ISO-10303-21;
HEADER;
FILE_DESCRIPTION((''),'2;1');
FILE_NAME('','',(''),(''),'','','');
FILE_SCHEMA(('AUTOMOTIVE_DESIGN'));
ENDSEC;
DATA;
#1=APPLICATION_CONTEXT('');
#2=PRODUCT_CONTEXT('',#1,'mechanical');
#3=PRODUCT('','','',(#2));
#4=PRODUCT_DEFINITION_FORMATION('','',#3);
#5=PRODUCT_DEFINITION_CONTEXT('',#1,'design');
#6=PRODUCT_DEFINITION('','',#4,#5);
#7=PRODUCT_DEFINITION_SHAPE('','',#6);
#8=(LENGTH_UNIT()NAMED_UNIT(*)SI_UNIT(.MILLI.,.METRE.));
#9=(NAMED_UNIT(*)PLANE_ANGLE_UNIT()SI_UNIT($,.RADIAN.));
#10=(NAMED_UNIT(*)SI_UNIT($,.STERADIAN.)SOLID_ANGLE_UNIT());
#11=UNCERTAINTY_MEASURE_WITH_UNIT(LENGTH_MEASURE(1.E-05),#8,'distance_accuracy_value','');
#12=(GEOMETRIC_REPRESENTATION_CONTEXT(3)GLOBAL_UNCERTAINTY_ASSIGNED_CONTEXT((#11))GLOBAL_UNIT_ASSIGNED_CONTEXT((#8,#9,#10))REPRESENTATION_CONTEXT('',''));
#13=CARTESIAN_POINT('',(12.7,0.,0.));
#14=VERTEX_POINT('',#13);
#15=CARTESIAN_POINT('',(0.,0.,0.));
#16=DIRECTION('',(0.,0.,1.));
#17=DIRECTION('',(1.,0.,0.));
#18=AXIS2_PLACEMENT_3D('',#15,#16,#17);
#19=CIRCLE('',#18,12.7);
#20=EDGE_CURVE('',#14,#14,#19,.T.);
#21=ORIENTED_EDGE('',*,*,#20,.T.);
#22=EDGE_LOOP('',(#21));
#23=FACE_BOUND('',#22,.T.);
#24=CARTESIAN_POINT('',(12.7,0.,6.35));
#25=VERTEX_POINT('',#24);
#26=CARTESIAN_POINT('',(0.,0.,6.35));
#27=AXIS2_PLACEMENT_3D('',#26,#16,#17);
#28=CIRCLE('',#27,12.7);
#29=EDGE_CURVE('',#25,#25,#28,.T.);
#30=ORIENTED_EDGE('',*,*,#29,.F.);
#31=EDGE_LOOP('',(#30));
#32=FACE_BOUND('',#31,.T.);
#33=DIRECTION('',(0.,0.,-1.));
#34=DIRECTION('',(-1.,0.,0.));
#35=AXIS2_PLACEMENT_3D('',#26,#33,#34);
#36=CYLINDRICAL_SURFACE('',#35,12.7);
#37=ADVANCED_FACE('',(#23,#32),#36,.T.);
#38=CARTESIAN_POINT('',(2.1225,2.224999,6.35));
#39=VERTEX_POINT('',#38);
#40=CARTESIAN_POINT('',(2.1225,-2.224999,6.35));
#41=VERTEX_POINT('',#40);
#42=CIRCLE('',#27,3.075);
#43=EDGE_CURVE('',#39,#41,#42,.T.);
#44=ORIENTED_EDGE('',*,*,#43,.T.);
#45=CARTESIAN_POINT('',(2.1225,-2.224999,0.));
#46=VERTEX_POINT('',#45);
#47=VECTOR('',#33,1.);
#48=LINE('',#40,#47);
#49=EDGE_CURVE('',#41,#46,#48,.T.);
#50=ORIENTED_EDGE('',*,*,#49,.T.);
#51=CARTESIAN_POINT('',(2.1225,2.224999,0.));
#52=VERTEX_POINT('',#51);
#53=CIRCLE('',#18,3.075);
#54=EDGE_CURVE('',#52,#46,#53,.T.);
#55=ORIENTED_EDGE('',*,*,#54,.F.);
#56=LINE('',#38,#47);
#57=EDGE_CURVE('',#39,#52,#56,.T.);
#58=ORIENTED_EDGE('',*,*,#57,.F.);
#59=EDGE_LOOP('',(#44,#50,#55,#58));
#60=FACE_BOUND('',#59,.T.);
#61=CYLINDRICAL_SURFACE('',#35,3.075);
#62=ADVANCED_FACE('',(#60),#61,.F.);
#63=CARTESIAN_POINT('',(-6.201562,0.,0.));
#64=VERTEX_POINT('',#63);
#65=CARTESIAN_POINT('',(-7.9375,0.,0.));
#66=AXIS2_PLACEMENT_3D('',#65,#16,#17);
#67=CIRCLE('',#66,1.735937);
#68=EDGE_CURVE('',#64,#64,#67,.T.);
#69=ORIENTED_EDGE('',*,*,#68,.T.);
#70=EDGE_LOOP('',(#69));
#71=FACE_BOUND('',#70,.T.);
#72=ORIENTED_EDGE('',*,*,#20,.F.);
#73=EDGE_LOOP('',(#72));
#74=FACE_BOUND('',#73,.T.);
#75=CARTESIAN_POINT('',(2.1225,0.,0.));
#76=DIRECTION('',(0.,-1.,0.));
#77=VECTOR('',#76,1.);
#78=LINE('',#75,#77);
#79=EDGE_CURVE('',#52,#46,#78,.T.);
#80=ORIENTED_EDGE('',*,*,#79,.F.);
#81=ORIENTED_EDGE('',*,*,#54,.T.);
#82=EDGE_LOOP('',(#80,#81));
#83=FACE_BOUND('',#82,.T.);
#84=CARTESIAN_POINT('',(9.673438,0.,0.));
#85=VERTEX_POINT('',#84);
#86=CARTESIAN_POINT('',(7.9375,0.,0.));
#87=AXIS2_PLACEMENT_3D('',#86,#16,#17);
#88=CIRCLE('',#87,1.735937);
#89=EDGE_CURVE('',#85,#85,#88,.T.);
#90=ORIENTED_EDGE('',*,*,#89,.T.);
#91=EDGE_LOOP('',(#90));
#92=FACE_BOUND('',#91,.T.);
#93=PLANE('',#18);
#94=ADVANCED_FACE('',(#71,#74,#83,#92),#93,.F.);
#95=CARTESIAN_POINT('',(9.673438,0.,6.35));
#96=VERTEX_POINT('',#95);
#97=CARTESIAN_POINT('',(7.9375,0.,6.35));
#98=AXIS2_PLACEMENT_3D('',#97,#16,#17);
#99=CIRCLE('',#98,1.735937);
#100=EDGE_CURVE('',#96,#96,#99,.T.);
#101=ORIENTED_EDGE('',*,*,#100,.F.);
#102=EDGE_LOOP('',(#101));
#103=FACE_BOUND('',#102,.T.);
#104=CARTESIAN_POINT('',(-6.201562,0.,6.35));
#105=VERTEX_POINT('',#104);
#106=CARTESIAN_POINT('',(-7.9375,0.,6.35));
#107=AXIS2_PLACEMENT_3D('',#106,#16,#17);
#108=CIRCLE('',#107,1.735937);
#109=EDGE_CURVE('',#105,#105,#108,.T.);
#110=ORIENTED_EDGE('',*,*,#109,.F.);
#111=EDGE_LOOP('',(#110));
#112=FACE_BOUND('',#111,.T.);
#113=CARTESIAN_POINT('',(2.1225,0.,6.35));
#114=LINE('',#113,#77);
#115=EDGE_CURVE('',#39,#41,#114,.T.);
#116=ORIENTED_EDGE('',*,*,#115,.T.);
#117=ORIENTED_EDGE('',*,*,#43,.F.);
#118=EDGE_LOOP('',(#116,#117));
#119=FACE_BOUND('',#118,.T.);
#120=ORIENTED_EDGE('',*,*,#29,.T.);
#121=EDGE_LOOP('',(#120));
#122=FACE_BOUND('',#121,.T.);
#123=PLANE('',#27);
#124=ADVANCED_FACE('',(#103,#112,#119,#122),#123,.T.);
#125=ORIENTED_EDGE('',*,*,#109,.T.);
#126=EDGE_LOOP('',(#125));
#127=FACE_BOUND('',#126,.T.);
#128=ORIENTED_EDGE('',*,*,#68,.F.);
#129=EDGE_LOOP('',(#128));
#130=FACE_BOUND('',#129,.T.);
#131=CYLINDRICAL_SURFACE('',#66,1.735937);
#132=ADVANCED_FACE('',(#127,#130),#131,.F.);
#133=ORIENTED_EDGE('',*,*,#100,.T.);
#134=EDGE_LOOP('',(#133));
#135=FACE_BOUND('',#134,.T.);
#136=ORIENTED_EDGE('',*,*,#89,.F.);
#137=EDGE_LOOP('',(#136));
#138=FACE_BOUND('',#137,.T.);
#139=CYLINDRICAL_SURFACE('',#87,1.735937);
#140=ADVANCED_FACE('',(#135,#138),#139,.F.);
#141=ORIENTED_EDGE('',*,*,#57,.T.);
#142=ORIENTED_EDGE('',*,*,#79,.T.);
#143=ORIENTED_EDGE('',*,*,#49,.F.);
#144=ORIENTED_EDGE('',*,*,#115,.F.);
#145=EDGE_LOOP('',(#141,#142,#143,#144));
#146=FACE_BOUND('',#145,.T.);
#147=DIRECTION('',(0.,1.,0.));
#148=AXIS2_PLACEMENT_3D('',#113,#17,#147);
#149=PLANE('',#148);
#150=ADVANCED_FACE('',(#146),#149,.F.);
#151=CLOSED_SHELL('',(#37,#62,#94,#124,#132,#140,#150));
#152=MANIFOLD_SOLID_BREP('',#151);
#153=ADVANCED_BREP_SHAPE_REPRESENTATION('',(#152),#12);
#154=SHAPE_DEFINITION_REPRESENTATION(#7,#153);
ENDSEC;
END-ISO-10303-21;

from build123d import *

# Parameters (mm, degrees)
SKETCH1_R               = 12.7
BOSS_EXTRUDE1_DEPTH     = 6.35
CUT_EXTRUDE1_DEPTH      = 20.05
CUT_EXTRUDE1_DEPTH_BACK = 20.05
SKETCH2_R               = 1.7359375


with BuildPart() as part:
    # Sketch1 → Boss-Extrude1 (new body)
    # profile 1 of 2: a face of its own
    with BuildSketch(Plane.XY):
        Circle(SKETCH1_R)
        with BuildLine():
            ThreePointArc((2.2225, 2.267403526), (-3.175, 0), (2.2225, -2.267403526))
            Line((2.2225, -2.267403526), (2.2225, 2.267403526))
        make_face(mode=Mode.SUBTRACT)
    # profile 2 of 2: a face of its own
    with BuildSketch(Plane.XY):
        with BuildLine():
            Line((2.2225, 2.267403526), (2.2225, -2.267403526))
            ThreePointArc((2.2225, -2.267403526), (-3.175, 0), (2.2225, 2.267403526))
        make_face()
        with BuildLine():
            ThreePointArc((2.1225, 2.224998596), (-3.075, 0), (2.1225, -2.224998596))
            Line((2.1225, -2.224998596), (2.1225, 2.224998596))
        make_face(mode=Mode.SUBTRACT)
    extrude(amount=BOSS_EXTRUDE1_DEPTH)

    # Sketch2 → Cut-Extrude1 (cut, two sides: drawn at the far end of the back side and taken through both)
    with BuildSketch(Plane.XY.offset(6.35).offset(-CUT_EXTRUDE1_DEPTH_BACK)):
        with Locations((7.9375, 0)):
            Circle(SKETCH2_R)
        with Locations((-7.9375, 0)):
            Circle(SKETCH2_R)
    extrude(amount=CUT_EXTRUDE1_DEPTH + CUT_EXTRUDE1_DEPTH_BACK, mode=Mode.SUBTRACT)


solid = part.part
